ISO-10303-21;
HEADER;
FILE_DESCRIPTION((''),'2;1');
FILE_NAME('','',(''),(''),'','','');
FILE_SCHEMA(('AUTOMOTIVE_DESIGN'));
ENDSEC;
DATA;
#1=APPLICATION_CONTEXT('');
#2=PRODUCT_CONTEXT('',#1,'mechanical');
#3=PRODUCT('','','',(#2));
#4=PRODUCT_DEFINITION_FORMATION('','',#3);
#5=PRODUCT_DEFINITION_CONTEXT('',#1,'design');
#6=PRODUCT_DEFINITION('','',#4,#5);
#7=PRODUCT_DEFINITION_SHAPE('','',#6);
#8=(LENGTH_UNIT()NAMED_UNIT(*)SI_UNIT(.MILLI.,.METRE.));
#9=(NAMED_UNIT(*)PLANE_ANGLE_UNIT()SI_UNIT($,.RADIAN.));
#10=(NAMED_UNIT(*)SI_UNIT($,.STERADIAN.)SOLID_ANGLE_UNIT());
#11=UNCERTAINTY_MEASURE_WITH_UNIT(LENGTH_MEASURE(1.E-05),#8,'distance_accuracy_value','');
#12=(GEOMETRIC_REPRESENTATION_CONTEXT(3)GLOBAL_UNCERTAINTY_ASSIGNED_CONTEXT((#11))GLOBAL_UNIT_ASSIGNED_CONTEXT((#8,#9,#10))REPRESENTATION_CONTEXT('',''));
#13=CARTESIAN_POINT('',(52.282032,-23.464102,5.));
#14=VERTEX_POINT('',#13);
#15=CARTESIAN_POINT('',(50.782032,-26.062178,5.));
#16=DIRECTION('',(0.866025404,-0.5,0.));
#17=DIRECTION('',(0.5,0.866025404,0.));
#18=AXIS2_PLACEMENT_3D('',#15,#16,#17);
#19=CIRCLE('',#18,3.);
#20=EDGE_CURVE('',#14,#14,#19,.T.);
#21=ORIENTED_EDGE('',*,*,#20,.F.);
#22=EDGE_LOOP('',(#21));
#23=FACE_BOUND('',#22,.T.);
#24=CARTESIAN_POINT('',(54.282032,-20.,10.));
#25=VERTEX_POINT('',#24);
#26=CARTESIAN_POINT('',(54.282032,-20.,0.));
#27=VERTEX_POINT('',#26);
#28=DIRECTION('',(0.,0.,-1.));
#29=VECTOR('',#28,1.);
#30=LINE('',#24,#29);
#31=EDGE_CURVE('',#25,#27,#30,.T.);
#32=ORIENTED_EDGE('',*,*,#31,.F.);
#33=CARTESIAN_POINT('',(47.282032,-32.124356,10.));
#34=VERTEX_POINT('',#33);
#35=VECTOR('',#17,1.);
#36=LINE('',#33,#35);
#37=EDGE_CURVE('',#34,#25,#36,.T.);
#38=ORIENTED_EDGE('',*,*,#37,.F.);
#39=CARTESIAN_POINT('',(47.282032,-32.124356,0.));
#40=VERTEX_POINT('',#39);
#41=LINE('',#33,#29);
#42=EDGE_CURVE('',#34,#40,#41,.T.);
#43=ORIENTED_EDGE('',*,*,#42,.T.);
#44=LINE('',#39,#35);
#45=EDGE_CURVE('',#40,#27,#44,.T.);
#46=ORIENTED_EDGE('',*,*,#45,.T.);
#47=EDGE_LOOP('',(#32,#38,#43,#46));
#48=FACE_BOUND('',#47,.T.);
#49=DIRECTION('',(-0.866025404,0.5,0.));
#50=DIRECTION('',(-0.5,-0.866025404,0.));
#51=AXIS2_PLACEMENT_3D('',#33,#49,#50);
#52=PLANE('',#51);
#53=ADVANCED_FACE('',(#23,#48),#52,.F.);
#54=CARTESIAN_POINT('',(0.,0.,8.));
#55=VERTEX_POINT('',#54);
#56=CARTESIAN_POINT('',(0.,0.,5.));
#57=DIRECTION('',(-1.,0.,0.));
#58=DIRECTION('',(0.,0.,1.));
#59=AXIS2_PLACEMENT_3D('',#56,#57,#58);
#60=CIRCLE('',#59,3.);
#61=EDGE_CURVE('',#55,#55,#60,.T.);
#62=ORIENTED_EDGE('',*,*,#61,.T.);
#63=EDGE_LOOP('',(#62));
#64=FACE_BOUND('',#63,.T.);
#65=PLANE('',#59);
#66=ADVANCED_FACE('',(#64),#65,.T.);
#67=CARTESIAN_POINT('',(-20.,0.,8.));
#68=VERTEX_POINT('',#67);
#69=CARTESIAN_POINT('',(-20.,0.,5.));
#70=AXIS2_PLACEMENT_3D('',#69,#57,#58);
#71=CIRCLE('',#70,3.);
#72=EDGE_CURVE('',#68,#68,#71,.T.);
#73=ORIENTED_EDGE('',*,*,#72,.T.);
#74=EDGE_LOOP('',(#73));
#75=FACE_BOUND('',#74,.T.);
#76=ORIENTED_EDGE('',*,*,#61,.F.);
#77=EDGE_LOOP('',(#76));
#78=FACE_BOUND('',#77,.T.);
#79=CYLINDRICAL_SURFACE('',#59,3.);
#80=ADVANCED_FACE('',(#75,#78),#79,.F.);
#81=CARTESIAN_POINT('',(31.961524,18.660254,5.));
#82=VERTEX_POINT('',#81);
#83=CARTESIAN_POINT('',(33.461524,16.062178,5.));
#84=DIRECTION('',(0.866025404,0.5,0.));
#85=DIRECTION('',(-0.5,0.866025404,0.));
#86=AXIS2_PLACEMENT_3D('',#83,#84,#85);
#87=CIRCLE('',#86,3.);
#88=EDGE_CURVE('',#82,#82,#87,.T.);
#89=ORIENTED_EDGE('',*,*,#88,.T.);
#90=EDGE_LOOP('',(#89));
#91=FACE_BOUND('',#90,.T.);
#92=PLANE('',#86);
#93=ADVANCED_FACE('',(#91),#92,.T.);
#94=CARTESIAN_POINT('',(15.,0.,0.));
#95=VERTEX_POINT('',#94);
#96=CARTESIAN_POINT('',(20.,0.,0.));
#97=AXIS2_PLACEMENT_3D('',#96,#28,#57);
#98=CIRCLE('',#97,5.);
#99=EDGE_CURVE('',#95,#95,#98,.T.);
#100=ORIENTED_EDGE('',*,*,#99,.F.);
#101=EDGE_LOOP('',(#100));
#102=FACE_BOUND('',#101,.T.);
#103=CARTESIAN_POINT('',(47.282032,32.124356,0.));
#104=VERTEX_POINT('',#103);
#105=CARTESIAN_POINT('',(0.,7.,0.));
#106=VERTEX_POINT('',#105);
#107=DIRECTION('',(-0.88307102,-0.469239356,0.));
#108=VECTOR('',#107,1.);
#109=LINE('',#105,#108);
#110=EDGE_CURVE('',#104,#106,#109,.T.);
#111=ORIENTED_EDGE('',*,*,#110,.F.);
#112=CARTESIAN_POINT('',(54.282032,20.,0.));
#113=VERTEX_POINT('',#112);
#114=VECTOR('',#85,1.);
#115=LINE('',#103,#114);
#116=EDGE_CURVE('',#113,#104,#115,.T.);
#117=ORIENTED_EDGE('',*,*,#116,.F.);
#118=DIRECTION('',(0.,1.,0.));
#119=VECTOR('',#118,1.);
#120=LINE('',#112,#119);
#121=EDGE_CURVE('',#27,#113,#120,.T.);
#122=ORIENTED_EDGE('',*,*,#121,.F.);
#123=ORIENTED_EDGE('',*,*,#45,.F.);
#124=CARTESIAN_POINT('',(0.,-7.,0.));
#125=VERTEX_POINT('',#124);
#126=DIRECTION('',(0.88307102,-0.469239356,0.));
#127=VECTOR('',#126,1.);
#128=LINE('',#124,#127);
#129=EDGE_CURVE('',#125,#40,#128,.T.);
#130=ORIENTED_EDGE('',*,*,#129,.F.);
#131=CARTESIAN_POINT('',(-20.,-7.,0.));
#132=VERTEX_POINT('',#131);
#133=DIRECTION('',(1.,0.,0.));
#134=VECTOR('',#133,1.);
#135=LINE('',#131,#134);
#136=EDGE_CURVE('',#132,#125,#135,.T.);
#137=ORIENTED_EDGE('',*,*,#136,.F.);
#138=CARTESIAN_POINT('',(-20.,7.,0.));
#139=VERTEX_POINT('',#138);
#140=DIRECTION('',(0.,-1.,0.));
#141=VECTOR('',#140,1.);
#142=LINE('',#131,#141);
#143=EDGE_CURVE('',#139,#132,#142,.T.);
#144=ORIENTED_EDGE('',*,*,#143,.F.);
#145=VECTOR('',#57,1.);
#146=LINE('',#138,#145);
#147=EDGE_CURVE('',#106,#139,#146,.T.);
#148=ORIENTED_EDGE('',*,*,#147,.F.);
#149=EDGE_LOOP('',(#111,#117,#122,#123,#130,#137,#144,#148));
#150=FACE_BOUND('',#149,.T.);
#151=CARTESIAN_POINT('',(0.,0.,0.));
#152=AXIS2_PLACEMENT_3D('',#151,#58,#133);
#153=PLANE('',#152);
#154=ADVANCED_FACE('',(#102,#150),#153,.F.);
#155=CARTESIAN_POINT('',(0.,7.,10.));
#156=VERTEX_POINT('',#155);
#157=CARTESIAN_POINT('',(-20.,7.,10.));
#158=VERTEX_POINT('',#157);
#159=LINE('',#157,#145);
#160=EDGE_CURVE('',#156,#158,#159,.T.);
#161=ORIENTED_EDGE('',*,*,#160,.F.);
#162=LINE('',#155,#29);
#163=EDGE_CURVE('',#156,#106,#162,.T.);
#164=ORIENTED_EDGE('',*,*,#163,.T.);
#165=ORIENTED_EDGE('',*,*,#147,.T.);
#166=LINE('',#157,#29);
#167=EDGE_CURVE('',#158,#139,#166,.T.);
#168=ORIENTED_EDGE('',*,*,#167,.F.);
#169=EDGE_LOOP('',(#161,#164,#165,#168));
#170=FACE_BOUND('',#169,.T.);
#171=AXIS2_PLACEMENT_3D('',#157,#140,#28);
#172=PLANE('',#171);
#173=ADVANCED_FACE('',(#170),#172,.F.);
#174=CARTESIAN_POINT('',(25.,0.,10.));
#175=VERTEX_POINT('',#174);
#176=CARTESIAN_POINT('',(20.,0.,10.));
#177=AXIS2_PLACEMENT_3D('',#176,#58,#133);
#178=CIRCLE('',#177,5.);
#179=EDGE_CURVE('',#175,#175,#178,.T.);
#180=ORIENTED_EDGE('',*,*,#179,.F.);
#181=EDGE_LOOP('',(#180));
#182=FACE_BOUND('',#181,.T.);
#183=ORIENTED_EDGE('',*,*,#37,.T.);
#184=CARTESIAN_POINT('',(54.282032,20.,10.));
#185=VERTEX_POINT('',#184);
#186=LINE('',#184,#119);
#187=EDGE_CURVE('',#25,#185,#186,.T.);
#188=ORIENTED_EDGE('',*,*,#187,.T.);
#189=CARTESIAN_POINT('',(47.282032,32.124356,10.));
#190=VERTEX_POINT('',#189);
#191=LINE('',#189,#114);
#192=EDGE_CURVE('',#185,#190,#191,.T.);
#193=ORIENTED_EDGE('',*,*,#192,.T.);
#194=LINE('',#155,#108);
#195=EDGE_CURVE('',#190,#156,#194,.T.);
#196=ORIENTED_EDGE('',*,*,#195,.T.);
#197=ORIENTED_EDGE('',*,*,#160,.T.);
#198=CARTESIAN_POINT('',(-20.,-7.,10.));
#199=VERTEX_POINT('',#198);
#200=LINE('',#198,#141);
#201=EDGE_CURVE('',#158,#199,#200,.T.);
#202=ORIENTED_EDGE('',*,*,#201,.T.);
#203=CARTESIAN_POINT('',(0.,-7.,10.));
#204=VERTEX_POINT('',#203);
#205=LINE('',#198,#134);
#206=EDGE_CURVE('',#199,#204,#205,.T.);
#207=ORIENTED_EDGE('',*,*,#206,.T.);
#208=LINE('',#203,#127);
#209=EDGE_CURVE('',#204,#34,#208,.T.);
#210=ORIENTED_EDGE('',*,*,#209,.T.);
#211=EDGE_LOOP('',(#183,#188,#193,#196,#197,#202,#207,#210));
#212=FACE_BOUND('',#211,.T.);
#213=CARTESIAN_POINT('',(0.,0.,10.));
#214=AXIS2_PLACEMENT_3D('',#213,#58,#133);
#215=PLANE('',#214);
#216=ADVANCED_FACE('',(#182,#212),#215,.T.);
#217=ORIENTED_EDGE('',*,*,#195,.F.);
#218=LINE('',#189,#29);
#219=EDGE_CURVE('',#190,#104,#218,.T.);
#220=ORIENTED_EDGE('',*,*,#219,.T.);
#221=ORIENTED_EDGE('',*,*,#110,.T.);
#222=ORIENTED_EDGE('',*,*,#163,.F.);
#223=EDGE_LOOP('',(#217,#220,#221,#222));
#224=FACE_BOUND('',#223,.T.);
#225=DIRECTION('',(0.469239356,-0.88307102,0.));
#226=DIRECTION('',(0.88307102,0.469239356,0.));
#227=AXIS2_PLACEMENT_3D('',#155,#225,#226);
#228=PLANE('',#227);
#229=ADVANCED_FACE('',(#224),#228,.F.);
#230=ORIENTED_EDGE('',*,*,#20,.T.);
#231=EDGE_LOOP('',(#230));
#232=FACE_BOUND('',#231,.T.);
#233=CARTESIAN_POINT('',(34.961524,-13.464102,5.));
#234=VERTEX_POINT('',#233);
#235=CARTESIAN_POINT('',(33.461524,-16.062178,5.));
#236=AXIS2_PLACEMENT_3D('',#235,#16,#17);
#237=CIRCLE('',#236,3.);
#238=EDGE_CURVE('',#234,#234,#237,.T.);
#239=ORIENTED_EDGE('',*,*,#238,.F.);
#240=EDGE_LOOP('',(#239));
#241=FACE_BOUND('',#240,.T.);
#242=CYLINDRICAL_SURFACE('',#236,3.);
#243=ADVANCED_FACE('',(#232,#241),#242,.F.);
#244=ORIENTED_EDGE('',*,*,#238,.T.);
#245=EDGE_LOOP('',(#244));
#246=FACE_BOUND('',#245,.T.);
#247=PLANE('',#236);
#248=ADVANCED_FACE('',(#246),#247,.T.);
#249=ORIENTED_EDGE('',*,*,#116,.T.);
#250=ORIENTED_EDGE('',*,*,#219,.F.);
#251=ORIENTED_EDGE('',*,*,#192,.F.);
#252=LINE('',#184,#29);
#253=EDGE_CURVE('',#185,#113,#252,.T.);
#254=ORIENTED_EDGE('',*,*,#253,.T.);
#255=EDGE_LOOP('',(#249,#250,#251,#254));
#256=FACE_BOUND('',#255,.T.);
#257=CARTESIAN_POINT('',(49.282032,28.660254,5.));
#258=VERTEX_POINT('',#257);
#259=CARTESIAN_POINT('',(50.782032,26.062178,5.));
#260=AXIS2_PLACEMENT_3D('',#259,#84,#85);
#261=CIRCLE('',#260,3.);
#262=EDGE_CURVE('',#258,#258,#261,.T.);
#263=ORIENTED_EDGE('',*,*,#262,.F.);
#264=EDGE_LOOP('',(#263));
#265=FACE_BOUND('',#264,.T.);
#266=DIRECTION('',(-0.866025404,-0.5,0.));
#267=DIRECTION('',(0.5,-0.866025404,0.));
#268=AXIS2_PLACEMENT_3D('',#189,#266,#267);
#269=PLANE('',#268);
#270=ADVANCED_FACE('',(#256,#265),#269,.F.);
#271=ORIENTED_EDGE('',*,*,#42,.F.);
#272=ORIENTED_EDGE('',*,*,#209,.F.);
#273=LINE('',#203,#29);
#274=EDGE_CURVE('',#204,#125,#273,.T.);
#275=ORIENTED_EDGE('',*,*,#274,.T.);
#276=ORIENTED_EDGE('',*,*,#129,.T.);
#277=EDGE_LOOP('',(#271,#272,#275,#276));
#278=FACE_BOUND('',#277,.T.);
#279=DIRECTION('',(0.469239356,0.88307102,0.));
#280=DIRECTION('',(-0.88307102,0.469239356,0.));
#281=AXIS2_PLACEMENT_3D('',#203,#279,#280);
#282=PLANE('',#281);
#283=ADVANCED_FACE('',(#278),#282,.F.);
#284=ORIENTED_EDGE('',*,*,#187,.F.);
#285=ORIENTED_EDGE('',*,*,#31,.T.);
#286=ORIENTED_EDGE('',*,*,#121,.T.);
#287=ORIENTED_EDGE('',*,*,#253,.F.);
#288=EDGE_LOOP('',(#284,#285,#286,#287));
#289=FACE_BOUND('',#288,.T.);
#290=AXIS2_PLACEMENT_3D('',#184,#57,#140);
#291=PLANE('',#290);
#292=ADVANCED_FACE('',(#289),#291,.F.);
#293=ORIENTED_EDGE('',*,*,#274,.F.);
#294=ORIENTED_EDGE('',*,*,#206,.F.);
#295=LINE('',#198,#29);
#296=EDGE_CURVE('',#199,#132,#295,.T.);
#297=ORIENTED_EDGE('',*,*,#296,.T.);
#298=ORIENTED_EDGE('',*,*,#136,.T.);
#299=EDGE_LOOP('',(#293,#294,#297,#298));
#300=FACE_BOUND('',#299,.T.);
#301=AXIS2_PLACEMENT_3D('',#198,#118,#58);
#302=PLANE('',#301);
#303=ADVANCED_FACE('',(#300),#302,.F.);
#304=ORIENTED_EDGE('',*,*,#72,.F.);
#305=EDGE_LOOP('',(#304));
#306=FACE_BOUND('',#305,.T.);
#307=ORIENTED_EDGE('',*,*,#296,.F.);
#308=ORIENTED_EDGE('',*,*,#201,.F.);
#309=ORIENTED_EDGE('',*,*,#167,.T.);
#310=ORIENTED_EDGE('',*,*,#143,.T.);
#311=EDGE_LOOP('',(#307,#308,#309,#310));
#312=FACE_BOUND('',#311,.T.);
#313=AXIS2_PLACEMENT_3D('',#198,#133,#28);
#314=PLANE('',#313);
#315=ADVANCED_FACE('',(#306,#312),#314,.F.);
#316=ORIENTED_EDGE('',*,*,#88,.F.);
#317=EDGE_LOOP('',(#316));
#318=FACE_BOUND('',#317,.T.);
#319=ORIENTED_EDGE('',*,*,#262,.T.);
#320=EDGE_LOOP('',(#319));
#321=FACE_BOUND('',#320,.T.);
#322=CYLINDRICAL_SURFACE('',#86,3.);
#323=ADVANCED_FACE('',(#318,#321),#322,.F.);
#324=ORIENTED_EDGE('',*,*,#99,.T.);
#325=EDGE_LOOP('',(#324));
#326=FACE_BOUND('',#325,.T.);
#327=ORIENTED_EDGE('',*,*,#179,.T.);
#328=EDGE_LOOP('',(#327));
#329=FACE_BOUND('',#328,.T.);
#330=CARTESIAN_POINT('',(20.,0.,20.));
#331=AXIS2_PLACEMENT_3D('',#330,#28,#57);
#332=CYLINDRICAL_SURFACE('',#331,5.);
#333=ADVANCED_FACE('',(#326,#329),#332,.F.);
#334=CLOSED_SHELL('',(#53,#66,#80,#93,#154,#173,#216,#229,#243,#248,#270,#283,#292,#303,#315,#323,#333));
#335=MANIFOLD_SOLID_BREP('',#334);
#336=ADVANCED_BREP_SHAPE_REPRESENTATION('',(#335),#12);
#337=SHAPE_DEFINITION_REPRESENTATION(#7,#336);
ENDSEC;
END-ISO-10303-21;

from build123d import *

# Parameters (mm, degrees)
BOSS_EXTRU_2_DEPTH      = 10
ESQUISSE4_R             = 3
ENL_V_MAT_EXTRU_3_DEPTH = 20
ESQUISSE6_R             = 3
ENL_V_MAT_EXTRU_4_DEPTH = 20
ESQUISSE7_R             = 3
ENL_V_MAT_EXTRU_5_DEPTH = 20
ESQUISSE8_R             = 5
ENL_V_MAT_EXTRU_6_DEPTH = 20


with BuildPart() as part:
    # Esquisse1 → Boss.-Extru.2 (new body)
    with BuildSketch(Plane.XY):
        Polygon((-20, -7), (-20, 7), (0, 7), (47.282032303, 32.124355653), (54.282032303, 20), (54.282032303, -20), (47.282032303, -32.124355653), (0, -7), align=None)
    extrude(amount=BOSS_EXTRU_2_DEPTH)

    # Esquisse4 → Enlèv. mat.-Extru.3 (cut)
    with BuildSketch(Plane.ZY.offset(20)):
        with Locations((5, 0)):
            Circle(ESQUISSE4_R)
    extrude(amount=-ENL_V_MAT_EXTRU_3_DEPTH, mode=Mode.SUBTRACT)

    # Esquisse6 → Enlèv. mat.-Extru.4 (cut)
    with BuildSketch(Plane(origin=(49.371778265, 28.504809472, 0), x_dir=(0.4999999999999953, -0.8660254037844415, 0), z_dir=(0.8660254037844415, 0.4999999999999953, 0))):
        with Locations(Location((2.820508076, -5, 0), (0, 0, 180))):
            Circle(ESQUISSE6_R)
    extrude(amount=-ENL_V_MAT_EXTRU_4_DEPTH, mode=Mode.SUBTRACT)

    # Esquisse7 → Enlèv. mat.-Extru.5 (cut)
    with BuildSketch(Plane(origin=(49.371778265, -28.504809472, 0), x_dir=(-0.5000000000000256, -0.8660254037844237, 0), z_dir=(0.8660254037844238, -0.5000000000000258, 0))):
        with Locations(Location((-2.820508076, -5, 0), (0, 0, 180))):
            Circle(ESQUISSE7_R)
    extrude(amount=-ENL_V_MAT_EXTRU_5_DEPTH, mode=Mode.SUBTRACT)

    # Esquisse8 → Enlèv. mat.-Extru.6 (cut)
    with BuildSketch(Plane(origin=(0, 0, 0), x_dir=(-1, 0, 0), z_dir=(0, 0, -1))):
        with Locations((-20, 0)):
            Circle(ESQUISSE8_R)
    extrude(amount=-ENL_V_MAT_EXTRU_6_DEPTH, mode=Mode.SUBTRACT)


solid = part.part
